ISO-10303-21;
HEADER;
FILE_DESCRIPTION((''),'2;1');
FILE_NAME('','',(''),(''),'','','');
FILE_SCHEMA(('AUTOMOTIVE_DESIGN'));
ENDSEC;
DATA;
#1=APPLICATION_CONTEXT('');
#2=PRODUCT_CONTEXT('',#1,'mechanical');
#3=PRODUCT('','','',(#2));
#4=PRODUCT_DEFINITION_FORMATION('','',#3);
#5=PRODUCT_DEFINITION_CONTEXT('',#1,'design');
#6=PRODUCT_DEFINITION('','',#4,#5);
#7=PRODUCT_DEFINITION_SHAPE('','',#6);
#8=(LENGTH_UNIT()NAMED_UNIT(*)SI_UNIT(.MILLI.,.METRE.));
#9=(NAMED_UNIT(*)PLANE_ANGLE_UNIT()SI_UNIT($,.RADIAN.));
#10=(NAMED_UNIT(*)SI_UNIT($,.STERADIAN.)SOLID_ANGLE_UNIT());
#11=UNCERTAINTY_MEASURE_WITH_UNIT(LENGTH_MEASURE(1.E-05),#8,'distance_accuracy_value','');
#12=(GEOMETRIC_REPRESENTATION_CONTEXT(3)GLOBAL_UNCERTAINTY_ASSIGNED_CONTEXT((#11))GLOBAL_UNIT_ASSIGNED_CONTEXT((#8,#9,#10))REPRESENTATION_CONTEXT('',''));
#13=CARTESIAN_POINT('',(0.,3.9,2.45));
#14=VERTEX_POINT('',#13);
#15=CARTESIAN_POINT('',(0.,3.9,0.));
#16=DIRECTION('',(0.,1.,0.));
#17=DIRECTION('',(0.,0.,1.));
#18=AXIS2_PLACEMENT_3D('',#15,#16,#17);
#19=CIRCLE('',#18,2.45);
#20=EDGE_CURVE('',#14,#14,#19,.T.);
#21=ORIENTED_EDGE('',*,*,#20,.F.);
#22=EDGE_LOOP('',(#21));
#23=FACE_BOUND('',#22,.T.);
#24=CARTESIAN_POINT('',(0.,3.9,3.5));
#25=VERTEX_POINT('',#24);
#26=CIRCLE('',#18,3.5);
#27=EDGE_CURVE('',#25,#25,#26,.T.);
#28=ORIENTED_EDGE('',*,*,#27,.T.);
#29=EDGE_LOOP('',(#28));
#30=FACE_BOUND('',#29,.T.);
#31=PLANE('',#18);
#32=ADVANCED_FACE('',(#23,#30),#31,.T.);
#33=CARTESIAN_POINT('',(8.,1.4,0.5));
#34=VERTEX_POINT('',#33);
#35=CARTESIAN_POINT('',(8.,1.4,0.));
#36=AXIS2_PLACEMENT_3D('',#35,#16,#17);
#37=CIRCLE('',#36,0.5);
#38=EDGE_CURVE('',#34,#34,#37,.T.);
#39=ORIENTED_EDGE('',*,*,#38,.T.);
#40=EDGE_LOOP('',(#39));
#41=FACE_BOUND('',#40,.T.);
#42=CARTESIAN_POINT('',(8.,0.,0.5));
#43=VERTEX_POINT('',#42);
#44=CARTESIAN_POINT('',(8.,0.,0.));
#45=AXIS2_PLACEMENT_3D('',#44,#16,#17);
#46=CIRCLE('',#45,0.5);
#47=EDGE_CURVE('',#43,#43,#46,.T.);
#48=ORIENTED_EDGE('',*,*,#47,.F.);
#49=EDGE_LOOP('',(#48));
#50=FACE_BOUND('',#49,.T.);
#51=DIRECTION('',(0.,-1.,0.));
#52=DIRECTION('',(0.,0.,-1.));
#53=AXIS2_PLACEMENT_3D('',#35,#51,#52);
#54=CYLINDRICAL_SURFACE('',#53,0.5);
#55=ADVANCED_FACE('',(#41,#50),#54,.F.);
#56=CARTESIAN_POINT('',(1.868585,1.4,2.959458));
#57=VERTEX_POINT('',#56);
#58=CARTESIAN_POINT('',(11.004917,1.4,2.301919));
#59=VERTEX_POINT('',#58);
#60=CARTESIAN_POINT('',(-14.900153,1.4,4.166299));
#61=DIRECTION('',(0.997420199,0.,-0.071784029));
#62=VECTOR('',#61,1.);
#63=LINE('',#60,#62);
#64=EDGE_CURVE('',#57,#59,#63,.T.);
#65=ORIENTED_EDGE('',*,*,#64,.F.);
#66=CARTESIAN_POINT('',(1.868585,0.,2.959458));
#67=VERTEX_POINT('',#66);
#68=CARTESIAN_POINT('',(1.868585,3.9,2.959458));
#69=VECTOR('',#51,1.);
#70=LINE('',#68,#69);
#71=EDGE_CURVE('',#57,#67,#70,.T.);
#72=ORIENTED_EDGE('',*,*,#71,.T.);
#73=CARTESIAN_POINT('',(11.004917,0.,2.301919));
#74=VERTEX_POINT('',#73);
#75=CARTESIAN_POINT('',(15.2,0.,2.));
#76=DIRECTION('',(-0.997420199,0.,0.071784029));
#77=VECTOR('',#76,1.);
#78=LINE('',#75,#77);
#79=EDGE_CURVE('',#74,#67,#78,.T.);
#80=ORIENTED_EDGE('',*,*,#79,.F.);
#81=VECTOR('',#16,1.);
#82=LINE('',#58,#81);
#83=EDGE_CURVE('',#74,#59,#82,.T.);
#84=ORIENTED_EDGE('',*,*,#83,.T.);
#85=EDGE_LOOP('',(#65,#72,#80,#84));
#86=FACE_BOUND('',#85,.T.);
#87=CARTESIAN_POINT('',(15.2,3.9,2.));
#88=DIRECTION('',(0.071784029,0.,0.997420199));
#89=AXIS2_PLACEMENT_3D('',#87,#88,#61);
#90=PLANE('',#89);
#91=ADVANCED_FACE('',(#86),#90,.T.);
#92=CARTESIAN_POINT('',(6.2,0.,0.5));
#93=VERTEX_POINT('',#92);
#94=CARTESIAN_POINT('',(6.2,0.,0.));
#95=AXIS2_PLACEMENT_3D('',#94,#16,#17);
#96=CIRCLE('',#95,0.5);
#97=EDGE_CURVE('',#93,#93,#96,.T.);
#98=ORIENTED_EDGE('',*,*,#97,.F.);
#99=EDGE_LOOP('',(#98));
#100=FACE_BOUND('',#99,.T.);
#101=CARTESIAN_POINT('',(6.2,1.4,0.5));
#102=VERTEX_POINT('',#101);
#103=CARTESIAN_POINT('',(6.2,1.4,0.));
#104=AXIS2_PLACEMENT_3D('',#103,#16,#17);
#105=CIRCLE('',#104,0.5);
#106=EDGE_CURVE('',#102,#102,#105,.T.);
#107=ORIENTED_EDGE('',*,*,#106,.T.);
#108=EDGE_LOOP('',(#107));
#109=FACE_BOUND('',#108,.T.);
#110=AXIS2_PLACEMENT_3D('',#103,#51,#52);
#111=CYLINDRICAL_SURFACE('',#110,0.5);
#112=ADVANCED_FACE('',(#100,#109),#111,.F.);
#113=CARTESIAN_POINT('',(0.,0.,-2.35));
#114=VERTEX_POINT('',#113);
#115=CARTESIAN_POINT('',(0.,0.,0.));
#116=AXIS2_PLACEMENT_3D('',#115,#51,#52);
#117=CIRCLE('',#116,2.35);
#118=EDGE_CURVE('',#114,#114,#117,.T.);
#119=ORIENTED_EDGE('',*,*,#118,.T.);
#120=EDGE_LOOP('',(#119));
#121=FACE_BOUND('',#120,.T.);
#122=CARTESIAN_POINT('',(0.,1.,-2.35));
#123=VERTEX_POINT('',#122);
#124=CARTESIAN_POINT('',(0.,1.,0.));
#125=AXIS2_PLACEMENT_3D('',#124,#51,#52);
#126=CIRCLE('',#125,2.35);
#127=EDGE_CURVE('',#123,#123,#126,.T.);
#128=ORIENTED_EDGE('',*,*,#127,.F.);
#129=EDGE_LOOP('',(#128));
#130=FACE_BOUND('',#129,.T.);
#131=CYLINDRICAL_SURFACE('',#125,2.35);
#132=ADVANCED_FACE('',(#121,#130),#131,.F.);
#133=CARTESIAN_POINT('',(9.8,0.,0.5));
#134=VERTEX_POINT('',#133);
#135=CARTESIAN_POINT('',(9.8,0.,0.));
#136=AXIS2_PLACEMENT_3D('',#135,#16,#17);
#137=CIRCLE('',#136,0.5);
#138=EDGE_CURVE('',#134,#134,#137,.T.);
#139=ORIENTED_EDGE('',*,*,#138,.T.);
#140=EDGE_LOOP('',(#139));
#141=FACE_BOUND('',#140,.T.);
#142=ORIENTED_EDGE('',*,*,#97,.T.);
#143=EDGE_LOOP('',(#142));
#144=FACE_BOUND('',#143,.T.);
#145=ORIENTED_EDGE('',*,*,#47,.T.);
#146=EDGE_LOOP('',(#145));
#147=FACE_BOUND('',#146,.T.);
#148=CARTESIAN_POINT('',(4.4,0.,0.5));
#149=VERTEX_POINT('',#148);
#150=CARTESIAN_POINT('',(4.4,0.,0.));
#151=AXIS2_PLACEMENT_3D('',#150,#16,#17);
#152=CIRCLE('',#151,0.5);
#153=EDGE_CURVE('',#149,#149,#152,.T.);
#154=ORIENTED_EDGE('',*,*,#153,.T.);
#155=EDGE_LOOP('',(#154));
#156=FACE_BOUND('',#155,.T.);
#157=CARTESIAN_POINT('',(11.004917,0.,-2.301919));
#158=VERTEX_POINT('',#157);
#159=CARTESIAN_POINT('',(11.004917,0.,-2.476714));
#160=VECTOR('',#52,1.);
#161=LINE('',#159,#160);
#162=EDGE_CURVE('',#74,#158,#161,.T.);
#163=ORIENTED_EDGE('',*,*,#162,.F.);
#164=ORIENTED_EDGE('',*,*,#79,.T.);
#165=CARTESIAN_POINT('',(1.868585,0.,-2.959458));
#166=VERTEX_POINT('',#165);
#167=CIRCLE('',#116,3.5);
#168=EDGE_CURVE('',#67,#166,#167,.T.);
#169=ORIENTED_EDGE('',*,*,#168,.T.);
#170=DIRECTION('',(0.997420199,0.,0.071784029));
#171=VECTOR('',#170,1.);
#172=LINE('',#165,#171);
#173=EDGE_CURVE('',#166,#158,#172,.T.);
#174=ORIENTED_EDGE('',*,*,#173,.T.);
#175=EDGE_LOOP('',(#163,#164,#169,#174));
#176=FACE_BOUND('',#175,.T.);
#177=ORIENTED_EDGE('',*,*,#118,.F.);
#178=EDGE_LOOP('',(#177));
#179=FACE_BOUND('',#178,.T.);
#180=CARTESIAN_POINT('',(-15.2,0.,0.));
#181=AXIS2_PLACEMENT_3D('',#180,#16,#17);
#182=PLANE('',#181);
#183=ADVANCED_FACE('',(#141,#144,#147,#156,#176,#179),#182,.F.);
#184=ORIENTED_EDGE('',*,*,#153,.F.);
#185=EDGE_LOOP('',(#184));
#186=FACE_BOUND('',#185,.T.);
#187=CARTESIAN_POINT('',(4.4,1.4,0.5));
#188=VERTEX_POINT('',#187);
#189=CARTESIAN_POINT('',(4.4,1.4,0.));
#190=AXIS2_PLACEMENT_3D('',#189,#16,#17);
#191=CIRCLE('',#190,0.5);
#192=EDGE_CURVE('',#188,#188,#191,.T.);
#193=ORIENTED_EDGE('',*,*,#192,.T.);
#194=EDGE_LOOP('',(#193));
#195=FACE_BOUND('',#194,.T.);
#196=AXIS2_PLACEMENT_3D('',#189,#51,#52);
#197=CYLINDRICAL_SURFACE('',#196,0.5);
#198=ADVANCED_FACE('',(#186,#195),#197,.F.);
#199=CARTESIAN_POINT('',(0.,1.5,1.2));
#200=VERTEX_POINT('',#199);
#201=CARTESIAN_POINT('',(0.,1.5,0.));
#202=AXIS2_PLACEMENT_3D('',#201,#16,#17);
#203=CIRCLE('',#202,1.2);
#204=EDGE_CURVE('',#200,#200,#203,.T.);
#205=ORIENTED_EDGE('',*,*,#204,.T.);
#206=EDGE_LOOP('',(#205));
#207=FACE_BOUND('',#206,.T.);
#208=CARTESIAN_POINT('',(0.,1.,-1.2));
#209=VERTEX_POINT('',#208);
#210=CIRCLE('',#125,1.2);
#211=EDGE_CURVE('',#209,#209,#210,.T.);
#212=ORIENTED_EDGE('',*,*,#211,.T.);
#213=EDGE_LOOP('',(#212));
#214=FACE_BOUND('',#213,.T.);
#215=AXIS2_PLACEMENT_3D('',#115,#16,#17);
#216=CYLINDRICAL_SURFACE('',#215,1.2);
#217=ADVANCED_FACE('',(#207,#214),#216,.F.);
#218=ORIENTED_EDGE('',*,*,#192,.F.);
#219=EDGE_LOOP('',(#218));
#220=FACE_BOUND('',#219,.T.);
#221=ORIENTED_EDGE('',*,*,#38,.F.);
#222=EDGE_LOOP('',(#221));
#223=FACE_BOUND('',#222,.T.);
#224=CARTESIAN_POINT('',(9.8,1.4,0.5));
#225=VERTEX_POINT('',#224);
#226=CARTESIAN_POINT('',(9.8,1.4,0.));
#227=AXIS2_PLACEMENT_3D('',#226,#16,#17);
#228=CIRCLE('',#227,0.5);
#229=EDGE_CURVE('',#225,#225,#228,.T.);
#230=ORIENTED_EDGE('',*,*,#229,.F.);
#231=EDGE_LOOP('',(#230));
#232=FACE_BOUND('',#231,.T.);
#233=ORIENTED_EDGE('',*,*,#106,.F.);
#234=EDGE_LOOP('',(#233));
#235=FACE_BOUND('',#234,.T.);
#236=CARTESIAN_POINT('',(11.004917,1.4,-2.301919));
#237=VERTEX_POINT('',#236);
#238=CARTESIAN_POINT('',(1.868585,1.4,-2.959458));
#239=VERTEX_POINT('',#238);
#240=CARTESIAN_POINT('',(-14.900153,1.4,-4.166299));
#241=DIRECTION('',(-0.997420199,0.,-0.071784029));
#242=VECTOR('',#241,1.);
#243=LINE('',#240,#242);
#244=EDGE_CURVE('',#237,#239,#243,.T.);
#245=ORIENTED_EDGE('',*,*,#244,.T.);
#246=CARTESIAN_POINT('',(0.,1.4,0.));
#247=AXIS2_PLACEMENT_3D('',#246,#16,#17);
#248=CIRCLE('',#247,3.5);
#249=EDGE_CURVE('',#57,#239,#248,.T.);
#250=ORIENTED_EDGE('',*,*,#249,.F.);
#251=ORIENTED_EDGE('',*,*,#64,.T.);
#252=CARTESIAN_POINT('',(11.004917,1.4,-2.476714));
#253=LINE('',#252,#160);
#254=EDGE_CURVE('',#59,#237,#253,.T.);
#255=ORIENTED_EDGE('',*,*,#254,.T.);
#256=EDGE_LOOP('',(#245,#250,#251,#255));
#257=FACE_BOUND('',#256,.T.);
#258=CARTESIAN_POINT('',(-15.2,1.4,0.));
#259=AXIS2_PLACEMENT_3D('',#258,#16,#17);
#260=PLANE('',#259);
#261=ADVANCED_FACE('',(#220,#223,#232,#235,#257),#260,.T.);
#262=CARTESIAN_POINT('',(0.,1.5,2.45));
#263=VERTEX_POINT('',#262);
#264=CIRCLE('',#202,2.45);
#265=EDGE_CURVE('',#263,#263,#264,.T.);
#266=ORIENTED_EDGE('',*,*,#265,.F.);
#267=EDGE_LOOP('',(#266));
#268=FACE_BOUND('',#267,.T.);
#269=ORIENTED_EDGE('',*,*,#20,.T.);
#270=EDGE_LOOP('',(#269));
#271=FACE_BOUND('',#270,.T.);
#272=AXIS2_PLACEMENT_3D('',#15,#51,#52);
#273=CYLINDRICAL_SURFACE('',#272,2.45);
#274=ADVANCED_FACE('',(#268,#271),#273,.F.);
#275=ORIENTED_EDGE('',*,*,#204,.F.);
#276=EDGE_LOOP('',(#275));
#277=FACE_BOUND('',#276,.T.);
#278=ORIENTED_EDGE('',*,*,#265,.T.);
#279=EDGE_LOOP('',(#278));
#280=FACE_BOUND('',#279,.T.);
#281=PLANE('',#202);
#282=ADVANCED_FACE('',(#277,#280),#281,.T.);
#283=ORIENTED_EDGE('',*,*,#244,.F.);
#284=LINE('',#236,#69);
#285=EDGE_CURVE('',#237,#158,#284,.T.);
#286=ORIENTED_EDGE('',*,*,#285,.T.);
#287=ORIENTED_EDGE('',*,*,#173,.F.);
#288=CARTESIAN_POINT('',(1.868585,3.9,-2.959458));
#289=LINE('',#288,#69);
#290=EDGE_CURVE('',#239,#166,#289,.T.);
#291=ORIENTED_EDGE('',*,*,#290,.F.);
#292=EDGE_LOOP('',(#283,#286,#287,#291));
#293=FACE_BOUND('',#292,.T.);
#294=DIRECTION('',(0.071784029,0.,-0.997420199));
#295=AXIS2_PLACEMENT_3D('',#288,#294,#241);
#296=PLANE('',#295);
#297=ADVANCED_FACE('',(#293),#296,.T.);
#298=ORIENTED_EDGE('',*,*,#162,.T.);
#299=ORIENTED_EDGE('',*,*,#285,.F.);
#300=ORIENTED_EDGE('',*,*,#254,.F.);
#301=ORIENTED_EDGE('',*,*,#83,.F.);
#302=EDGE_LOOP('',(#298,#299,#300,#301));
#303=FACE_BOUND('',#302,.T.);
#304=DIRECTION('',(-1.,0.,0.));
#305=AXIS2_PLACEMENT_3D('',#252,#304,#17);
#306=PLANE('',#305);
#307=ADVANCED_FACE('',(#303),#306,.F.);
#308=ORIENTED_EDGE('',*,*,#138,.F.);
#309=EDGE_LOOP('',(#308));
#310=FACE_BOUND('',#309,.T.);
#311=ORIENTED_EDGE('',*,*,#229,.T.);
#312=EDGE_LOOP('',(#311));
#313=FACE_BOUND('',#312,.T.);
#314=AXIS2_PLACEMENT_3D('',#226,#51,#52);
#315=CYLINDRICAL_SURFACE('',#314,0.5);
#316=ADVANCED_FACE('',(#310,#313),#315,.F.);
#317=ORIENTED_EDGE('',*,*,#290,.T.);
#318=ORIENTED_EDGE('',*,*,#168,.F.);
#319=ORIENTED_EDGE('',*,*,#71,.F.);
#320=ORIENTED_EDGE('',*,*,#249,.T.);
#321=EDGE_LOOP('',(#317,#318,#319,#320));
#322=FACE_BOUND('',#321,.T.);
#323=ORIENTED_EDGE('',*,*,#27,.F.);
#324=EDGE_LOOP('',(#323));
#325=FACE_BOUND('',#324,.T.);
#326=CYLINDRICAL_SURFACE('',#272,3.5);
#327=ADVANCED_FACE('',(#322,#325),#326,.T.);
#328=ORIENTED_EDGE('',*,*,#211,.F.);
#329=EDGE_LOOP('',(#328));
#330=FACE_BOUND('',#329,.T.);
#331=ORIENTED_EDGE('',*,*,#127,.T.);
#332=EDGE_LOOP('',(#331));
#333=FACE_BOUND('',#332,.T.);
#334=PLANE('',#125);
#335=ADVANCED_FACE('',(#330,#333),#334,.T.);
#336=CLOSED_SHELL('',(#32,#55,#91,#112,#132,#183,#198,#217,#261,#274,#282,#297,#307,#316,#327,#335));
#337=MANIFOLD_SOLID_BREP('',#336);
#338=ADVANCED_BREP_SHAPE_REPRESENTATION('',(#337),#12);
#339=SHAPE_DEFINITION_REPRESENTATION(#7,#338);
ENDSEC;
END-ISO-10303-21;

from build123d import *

# Parameters (mm, degrees)
SKETCH1_R           = 0.5
BOSS_EXTRUDE1_DEPTH = 1.4
SKETCH2_R           = 2.35
CUT_EXTRUDE1_DEPTH  = 1
SKETCH3_R           = 3.5
SKETCH3_R_2         = 2.45
BOSS_EXTRUDE2_DEPTH = 2.5
SKETCH4_R           = 1.2
CUT_EXTRUDE2_DEPTH  = 20.282440198
SKETCH5_R           = 2.45
SKETCH5_R_2         = 1.2
BOSS_EXTRUDE3_DEPTH = 0.1
SKETCH6_W           = 35.735260114
SKETCH6_H           = 17.672039004
CUT_EXTRUDE4_DEPTH  = 20.513392837
CUT_EXTRUDE5_DEPTH  = 18.980545042


with BuildPart() as part:
    # Sketch1 → Boss-Extrude1 (new body)
    with BuildSketch(Plane(origin=(0, 0, 0), x_dir=(1, 0, 0), z_dir=(0, 1, 0))):
        with BuildLine():
            Line((-15.2, 2), (-2, 2.95))
            Line((-2, 2.95), (-2, 6.35))
            ThreePointArc((-2, 6.35), (0, 8.35), (2, 6.35))
            Line((2, 6.35), (2, 3.5))
            Line((2, 3.5), (11.004916923, 2.476713986))
            Line((11.004916923, 2.476713986), (11.004916923, -2.476713986))
            Line((11.004916923, -2.476713986), (2, -3.5))
            Line((2, -3.5), (2, -6.35))
            ThreePointArc((2, -6.35), (0, -8.35), (-2, -6.35))
            Line((-2, -6.35), (-2, -2.95))
            Line((-2, -2.95), (-15.2, -2))
            ThreePointArc((-15.2, -2), (-17.2, 0), (-15.2, 2))
        make_face()
        with Locations(Location((0, 6.35, 0), (0, 0, 270))):
            Circle(SKETCH1_R, mode=Mode.SUBTRACT)
        with Locations(Location((0, 4.55, 0), (0, 0, 270))):
            Circle(SKETCH1_R, mode=Mode.SUBTRACT)
        with Locations(Location((0, -4.55, 0), (0, 0, 90))):
            Circle(SKETCH1_R, mode=Mode.SUBTRACT)
        with Locations(Location((0, -6.35, 0), (0, 0, 90))):
            Circle(SKETCH1_R, mode=Mode.SUBTRACT)
        with Locations(Location((-15.2, 0, 0), (0, 0, 270))):
            Circle(SKETCH1_R, mode=Mode.SUBTRACT)
        with Locations(Location((-13.4, 0, 0), (0, 0, 270))):
            Circle(SKETCH1_R, mode=Mode.SUBTRACT)
        with Locations(Location((-11.6, 0, 0), (0, 0, 270))):
            Circle(SKETCH1_R, mode=Mode.SUBTRACT)
        with Locations(Location((-9.8, 0, 0), (0, 0, 270))):
            Circle(SKETCH1_R, mode=Mode.SUBTRACT)
        with Locations(Location((-8, 0, 0), (0, 0, 270))):
            Circle(SKETCH1_R, mode=Mode.SUBTRACT)
        with Locations(Location((-6.2, 0, 0), (0, 0, 270))):
            Circle(SKETCH1_R, mode=Mode.SUBTRACT)
        with Locations(Location((-4.4, 0, 0), (0, 0, 270))):
            Circle(SKETCH1_R, mode=Mode.SUBTRACT)
        with Locations(Location((9.8, 0, 0), (0, 0, 270))):
            Circle(SKETCH1_R, mode=Mode.SUBTRACT)
        with Locations(Location((8, 0, 0), (0, 0, 270))):
            Circle(SKETCH1_R, mode=Mode.SUBTRACT)
        with Locations(Location((6.2, 0, 0), (0, 0, 270))):
            Circle(SKETCH1_R, mode=Mode.SUBTRACT)
        with Locations(Location((4.4, 0, 0), (0, 0, 270))):
            Circle(SKETCH1_R, mode=Mode.SUBTRACT)
    extrude(amount=BOSS_EXTRUDE1_DEPTH)

    # Sketch2 → Cut-Extrude1 (cut)
    with BuildSketch(Plane.XZ):
        with Locations(Location((0, 0, 0), (0, 0, 270))):
            Circle(SKETCH2_R)
    extrude(amount=-CUT_EXTRUDE1_DEPTH, mode=Mode.SUBTRACT)

    # Sketch3 → Boss-Extrude2 (add)
    with BuildSketch(Plane(origin=(0, 1.4, 0), x_dir=(1, 0, 0), z_dir=(0, 1, 0))):
        with Locations(Location((0, 0, 0), (0, 0, 270))):
            Circle(SKETCH3_R)
        with Locations(Location((0, 0, 0), (0, 0, 270))):
            Circle(SKETCH3_R_2, mode=Mode.SUBTRACT)
    extrude(amount=BOSS_EXTRUDE2_DEPTH)

    # Sketch4 → Cut-Extrude2 (cut, through all)
    with BuildSketch(Plane(origin=(0, 1.4, 0), x_dir=(1, 0, 0), z_dir=(0, 1, 0))):
        with Locations(Location((0, 0, 0), (0, 0, 270))):
            Circle(SKETCH4_R)
    extrude(amount=-CUT_EXTRUDE2_DEPTH, mode=Mode.SUBTRACT)

    # Sketch5 → Boss-Extrude3 (add)
    with BuildSketch(Plane(origin=(0, 1.4, 0), x_dir=(1, 0, 0), z_dir=(0, 1, 0))):
        with Locations(Location((0, 0, 0), (0, 0, 270))):
            Circle(SKETCH5_R)
        with Locations(Location((0, 0, 0), (0, 0, 270))):
            Circle(SKETCH5_R_2, mode=Mode.SUBTRACT)
    extrude(amount=BOSS_EXTRUDE3_DEPTH)

    # Sketch6 → Cut-Extrude4 (cut, through all)
    with BuildSketch(Plane.XZ):
        Rectangle(SKETCH6_W, SKETCH6_H)
        with BuildLine():
            Line((-1.868584713, -2.959457918), (-15.2, -2))
            ThreePointArc((-15.2, -2), (-17.2, 0), (-15.2, 2))
            Line((-15.2, 2), (-1.868584713, 2.959457918))
            ThreePointArc((-1.868584713, 2.959457918), (0, 3.5), (1.868584713, 2.959457918))
            Line((1.868584713, 2.959457918), (15.2, 2))
            ThreePointArc((15.2, 2), (17.2, 0), (15.2, -2))
            Line((15.2, -2), (1.868584713, -2.959457918))
            ThreePointArc((1.868584713, -2.959457918), (0, -3.5), (-1.868584713, -2.959457918))
        make_face(mode=Mode.SUBTRACT)
    extrude(amount=-CUT_EXTRUDE4_DEPTH, mode=Mode.SUBTRACT)

    # Sketch7 → Cut-Extrude5 (cut, through all)
    with BuildSketch(Plane.XZ):
        with BuildLine():
            Line((0, 3.5), (-17.731768104, 3.5))
            Line((-17.731768104, 3.5), (-17.731768104, -3.5))
            Line((-17.731768104, -3.5), (0, -3.5))
            ThreePointArc((0, -3.5), (-3.5, 0), (0, 3.5))
        make_face()
    extrude(amount=-CUT_EXTRUDE5_DEPTH, mode=Mode.SUBTRACT)


solid = part.part
